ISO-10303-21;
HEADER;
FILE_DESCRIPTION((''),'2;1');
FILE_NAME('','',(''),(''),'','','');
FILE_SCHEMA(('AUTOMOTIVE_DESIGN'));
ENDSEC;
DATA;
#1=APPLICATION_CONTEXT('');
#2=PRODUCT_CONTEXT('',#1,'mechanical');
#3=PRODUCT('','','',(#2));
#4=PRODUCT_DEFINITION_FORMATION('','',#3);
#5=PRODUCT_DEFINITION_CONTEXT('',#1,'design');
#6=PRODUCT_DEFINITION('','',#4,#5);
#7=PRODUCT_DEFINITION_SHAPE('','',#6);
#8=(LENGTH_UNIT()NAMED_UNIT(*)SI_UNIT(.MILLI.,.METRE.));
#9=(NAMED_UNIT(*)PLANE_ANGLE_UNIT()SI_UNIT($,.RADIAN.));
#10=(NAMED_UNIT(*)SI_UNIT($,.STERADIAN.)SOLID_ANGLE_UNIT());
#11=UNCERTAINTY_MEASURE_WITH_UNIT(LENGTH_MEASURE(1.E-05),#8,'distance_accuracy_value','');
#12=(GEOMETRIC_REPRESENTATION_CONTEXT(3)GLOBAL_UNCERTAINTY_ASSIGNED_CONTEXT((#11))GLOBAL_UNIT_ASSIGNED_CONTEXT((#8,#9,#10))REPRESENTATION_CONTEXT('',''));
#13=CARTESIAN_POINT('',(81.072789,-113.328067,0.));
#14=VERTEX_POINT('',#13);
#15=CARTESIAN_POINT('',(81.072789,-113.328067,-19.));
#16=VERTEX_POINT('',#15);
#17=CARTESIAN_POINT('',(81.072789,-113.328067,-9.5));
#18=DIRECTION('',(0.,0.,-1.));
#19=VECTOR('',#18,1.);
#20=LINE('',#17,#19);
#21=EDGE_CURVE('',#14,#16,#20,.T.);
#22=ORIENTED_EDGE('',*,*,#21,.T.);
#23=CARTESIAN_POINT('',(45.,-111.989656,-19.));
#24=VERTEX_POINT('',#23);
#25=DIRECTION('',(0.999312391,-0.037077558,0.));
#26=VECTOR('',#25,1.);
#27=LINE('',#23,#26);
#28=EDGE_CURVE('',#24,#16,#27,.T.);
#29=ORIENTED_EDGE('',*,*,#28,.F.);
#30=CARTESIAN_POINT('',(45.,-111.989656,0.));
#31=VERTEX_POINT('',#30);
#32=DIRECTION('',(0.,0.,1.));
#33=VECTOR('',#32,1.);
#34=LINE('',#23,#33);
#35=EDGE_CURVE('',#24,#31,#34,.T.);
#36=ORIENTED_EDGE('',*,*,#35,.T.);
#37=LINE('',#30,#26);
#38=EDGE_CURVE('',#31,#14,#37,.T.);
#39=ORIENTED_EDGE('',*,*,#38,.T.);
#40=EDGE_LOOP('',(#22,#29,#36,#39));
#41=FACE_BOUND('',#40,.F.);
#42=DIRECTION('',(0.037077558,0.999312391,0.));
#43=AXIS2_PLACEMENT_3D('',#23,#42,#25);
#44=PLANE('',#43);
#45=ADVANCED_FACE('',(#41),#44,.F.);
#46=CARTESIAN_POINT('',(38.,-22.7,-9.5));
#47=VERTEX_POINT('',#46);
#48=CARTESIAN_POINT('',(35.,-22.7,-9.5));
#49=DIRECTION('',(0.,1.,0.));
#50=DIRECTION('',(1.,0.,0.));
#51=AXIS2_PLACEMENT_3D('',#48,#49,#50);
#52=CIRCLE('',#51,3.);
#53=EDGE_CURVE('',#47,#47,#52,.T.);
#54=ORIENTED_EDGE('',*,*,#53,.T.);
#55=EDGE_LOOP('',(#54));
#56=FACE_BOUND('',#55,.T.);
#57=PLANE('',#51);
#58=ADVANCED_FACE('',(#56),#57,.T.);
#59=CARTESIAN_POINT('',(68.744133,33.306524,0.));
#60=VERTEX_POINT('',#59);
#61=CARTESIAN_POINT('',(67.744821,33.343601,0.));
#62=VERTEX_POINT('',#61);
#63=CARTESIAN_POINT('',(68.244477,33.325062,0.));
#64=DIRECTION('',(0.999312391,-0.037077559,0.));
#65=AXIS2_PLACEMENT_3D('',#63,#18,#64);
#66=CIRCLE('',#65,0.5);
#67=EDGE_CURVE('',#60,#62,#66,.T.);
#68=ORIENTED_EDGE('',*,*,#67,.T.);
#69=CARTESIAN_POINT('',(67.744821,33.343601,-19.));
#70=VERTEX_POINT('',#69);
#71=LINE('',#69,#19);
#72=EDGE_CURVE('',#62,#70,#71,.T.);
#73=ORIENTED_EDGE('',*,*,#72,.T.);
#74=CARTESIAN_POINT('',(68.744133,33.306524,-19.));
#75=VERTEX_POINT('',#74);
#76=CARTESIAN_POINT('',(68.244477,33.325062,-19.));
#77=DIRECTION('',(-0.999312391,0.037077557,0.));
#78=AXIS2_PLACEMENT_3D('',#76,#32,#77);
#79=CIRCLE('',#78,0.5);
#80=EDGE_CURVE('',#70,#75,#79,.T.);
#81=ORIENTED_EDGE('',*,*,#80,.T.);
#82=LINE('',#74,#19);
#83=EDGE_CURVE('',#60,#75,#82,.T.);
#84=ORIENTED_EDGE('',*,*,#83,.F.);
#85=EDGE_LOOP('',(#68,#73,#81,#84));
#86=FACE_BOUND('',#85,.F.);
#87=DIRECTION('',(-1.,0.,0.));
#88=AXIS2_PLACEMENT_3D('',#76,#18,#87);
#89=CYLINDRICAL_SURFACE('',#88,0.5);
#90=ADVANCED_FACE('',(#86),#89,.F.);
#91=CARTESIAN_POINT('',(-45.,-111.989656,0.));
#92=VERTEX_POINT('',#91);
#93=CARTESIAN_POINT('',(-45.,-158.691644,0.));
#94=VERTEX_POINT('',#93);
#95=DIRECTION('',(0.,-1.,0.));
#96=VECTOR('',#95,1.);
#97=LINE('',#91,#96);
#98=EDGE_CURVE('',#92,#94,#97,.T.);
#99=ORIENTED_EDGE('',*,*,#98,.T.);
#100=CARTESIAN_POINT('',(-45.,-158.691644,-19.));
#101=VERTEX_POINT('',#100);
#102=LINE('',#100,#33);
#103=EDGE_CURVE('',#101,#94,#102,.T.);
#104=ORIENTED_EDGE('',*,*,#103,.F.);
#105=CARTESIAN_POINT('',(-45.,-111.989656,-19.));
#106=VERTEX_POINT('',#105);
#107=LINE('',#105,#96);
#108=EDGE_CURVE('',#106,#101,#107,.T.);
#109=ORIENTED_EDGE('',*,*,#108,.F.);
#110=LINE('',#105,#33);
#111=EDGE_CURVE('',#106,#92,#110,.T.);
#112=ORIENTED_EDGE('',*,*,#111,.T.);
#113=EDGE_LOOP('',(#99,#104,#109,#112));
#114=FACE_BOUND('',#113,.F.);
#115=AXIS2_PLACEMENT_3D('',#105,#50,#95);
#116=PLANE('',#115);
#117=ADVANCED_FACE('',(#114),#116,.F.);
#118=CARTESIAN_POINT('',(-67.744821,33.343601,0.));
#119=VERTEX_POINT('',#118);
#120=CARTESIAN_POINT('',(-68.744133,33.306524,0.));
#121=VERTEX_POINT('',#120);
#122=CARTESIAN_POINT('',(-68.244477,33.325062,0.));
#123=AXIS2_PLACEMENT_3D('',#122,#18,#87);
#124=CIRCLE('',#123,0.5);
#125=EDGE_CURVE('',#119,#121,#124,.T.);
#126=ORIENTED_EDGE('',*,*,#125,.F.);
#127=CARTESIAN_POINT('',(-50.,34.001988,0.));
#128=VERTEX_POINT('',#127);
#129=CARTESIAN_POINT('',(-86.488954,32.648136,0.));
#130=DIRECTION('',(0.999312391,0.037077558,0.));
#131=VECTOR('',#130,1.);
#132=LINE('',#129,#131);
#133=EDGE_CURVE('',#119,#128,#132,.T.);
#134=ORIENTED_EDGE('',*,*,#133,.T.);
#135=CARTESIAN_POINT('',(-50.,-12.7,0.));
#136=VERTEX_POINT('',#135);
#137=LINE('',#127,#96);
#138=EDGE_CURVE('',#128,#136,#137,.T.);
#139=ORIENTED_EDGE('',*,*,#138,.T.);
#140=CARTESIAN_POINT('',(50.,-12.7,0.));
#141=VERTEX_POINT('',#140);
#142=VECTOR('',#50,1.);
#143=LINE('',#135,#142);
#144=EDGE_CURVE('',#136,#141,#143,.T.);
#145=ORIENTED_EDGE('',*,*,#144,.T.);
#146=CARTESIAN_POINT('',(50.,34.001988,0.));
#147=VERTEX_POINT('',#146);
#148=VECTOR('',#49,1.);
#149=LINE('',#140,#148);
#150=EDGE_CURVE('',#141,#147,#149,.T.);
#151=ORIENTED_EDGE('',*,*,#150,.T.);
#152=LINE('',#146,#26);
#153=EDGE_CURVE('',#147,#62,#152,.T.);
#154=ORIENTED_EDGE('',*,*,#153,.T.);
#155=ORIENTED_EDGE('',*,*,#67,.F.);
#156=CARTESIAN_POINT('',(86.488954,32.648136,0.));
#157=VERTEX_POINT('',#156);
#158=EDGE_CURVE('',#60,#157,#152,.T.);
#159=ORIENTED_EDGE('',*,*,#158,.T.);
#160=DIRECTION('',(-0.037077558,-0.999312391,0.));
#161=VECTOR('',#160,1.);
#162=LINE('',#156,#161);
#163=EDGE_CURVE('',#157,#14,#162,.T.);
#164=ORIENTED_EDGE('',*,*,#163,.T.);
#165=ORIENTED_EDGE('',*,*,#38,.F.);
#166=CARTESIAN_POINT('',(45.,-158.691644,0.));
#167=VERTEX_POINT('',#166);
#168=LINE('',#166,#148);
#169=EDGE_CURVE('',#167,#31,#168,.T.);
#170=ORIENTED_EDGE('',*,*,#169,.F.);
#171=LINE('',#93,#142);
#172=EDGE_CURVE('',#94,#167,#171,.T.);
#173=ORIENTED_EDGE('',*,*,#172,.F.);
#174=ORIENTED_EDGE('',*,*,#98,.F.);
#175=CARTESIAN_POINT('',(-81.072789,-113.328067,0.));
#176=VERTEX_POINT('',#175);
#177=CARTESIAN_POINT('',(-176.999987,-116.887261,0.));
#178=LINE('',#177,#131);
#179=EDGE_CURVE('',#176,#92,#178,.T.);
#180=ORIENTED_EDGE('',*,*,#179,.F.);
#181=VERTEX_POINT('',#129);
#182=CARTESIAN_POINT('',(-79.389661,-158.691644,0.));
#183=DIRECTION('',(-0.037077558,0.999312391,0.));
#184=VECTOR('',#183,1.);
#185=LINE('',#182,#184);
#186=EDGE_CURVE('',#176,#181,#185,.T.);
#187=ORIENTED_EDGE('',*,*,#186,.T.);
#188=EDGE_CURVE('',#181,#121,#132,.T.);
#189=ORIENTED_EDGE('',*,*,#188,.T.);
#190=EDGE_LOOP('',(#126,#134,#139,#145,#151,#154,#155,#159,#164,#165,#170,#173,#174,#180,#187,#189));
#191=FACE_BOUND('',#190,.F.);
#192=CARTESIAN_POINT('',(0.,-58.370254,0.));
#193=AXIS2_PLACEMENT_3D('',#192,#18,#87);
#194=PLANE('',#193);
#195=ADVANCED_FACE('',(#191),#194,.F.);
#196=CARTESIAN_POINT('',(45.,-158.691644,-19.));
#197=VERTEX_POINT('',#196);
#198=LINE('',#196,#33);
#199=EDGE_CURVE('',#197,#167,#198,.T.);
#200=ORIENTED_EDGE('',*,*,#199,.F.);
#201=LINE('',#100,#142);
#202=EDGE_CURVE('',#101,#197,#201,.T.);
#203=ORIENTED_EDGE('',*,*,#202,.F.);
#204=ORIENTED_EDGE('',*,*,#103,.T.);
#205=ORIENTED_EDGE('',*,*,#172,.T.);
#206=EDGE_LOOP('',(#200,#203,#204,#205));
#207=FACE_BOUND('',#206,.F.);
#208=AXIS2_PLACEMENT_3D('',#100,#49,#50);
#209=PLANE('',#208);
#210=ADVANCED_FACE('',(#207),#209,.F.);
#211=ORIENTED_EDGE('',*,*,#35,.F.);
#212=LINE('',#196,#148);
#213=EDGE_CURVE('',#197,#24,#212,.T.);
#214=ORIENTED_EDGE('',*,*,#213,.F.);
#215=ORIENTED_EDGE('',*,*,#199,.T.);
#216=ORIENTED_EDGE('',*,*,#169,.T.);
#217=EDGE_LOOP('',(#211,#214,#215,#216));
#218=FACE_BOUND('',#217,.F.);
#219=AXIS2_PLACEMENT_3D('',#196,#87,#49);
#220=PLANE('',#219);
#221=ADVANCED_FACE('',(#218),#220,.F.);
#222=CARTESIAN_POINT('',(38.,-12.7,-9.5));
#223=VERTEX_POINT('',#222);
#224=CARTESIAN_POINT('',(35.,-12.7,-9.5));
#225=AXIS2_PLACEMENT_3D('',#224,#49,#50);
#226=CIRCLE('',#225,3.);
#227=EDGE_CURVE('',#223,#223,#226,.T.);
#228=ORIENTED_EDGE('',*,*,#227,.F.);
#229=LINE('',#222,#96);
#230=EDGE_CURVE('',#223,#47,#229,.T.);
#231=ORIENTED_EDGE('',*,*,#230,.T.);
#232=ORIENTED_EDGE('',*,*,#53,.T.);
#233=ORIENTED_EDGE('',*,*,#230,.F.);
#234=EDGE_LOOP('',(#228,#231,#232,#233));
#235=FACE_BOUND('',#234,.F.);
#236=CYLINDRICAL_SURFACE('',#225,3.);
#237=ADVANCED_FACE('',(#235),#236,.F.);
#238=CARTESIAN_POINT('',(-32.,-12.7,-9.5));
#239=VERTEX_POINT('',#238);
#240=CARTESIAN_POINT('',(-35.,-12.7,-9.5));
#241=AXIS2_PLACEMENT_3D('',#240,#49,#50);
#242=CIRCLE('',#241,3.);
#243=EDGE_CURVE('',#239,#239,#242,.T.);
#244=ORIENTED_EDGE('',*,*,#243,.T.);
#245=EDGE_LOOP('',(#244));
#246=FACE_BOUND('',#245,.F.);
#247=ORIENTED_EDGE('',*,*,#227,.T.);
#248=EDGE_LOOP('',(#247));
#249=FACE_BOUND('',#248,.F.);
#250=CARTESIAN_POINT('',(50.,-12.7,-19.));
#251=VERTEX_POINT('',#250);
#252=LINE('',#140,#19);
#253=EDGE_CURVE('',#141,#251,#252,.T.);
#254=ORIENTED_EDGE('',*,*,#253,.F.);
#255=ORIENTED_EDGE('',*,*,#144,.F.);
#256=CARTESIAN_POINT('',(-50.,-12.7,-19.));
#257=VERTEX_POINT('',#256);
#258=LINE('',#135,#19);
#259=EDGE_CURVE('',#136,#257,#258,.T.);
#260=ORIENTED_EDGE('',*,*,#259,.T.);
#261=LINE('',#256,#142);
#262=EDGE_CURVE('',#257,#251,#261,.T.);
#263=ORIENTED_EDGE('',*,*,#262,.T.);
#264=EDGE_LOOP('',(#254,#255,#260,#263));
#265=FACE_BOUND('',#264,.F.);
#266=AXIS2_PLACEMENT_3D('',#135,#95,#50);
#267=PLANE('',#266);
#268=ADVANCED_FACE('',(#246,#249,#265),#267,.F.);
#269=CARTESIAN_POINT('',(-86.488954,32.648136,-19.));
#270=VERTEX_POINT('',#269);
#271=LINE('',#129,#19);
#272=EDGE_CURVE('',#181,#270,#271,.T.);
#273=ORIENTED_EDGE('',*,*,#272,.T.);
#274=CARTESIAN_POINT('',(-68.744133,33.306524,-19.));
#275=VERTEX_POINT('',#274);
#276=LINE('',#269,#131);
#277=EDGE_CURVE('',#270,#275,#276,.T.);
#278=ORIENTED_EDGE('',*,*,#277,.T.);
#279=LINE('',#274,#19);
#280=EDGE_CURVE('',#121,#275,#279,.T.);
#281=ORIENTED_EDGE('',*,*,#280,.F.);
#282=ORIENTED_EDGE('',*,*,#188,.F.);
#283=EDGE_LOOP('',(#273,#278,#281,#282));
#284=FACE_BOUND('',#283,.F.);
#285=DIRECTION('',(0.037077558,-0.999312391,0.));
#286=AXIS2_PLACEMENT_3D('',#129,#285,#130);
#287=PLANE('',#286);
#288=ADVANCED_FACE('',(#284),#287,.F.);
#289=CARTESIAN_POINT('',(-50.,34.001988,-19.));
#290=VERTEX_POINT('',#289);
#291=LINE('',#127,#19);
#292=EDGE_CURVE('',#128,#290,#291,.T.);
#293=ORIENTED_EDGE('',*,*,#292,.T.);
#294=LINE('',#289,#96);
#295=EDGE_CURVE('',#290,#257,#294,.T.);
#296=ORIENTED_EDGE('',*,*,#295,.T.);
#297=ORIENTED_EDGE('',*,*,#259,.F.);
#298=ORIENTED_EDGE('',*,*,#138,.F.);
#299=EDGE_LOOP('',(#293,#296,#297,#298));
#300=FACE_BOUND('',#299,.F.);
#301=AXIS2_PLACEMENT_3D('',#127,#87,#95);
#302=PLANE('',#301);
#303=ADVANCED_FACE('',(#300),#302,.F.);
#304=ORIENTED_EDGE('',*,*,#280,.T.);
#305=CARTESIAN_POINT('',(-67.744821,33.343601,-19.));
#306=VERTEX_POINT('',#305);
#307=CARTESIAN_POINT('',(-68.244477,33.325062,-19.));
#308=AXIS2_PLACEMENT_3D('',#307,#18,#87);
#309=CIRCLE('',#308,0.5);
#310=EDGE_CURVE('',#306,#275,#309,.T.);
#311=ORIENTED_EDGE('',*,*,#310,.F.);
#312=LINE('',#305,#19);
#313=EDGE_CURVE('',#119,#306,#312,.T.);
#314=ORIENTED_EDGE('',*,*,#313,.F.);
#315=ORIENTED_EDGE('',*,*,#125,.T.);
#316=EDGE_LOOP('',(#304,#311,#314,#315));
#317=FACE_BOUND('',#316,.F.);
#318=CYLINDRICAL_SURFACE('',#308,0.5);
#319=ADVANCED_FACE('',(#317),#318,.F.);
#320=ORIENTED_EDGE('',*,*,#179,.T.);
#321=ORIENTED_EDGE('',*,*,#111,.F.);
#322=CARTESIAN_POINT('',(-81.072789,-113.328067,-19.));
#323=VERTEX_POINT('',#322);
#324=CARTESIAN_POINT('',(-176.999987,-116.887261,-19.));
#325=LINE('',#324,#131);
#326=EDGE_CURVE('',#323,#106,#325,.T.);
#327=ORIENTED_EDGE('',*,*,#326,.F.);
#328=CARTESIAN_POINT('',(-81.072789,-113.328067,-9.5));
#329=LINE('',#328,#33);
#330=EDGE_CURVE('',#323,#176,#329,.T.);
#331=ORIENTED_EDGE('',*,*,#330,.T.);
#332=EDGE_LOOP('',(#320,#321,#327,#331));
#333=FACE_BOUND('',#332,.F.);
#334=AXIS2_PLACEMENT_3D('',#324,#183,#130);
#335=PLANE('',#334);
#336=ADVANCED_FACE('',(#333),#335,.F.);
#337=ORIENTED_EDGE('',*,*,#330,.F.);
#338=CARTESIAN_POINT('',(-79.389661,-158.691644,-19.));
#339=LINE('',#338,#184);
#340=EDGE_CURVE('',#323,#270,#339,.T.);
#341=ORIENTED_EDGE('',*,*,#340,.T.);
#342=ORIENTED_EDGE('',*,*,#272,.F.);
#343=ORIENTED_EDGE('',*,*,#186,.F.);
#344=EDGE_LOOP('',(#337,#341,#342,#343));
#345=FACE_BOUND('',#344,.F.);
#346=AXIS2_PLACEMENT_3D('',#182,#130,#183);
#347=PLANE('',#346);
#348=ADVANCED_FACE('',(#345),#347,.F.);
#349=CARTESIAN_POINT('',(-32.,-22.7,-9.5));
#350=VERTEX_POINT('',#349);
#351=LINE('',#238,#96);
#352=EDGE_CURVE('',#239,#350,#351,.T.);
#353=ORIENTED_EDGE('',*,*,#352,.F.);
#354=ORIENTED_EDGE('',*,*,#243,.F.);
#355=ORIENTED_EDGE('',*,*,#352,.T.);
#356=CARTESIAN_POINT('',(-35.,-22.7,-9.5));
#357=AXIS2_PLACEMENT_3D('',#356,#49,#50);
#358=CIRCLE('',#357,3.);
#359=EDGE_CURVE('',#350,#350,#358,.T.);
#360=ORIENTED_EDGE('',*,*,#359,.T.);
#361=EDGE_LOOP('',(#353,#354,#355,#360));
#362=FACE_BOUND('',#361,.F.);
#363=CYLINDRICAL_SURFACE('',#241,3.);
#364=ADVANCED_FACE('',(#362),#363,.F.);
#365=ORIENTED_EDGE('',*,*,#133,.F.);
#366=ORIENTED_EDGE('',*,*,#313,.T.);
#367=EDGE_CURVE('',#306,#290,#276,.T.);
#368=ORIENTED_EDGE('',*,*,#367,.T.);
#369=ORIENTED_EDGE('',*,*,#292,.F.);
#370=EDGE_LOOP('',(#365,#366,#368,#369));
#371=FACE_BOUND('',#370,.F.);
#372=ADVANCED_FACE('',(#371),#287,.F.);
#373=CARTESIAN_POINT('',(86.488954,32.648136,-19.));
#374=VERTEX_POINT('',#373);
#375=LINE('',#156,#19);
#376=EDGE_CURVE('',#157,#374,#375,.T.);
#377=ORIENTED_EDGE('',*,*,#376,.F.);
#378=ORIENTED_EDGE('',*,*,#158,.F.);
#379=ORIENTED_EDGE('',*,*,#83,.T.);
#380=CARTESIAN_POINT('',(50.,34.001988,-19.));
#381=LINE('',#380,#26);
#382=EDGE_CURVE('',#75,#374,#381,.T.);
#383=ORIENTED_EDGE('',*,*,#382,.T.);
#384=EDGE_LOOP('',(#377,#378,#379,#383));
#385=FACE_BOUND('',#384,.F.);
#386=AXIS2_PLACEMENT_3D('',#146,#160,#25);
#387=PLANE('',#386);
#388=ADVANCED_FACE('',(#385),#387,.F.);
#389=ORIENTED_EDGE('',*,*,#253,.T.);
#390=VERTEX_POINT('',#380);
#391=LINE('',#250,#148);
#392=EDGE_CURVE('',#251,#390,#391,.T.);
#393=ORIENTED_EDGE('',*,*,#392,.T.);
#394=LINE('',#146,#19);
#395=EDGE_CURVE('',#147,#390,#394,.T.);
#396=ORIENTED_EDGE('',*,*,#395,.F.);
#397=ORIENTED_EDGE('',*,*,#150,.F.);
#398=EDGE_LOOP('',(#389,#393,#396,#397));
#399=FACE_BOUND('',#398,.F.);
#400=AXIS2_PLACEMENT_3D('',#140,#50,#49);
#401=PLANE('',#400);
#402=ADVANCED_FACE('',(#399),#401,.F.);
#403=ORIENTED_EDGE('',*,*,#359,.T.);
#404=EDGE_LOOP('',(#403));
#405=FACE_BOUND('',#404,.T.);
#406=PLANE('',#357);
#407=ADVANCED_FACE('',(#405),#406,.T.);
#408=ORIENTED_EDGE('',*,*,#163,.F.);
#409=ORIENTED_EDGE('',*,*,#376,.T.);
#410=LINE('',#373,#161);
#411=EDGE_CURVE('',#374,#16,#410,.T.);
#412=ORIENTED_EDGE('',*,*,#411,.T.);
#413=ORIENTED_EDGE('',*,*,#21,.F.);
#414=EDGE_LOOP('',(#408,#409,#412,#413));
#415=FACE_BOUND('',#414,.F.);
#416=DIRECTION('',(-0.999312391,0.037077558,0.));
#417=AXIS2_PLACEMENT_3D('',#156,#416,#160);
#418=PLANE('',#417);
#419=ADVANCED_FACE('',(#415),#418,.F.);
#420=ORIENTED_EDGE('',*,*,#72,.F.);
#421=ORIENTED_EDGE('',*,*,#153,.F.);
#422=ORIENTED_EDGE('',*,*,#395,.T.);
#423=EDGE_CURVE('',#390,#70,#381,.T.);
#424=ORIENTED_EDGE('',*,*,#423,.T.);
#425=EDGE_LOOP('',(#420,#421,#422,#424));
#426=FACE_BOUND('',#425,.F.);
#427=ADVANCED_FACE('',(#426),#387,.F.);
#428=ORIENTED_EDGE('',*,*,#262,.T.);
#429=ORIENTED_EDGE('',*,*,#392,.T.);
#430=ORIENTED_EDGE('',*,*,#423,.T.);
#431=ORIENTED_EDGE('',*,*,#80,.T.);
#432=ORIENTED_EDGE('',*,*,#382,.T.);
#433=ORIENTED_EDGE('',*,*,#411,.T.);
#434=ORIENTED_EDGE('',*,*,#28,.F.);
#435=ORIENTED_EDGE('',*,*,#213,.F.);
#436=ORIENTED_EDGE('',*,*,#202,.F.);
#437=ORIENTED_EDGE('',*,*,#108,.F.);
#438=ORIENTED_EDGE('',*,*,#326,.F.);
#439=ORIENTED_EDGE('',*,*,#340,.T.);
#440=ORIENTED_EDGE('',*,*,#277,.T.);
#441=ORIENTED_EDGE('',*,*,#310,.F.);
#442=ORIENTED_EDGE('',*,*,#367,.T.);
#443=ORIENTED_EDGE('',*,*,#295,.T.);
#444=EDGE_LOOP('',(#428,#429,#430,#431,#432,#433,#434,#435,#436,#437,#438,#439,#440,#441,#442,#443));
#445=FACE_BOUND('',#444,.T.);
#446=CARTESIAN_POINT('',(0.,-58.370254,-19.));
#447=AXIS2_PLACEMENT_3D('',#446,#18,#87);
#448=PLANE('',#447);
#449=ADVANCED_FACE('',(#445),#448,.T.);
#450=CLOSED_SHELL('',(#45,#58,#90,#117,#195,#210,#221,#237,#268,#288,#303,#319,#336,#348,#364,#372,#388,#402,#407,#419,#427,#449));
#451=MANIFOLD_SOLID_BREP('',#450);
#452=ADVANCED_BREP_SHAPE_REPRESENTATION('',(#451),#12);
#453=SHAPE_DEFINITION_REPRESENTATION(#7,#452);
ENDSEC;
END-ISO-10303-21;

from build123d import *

# Parameters (mm, degrees)
BOSS_EXTRUDE1_DEPTH = 19
CUT_EXTRUDE1_DEPTH  = 19
SKETCH6_R           = 3
CUT_EXTRUDE2_DEPTH  = 10
SKETCH7_R           = 0.5
CUT_EXTRUDE3_DEPTH  = 20


with BuildPart() as part:
    # Sketch2 → Boss-Extrude1 (new body)
    with BuildSketch(Plane.XY):
        Polygon((-50, -12.7), (50, -12.7), (50, 34.001988406), (86.488954477, 32.648136171), (79.389661188, -158.69164437), (-79.389661188, -158.69164437), (-86.488954477, 32.648136171), (-50, 34.001988406), align=None)
    extrude(amount=-BOSS_EXTRUDE1_DEPTH)

    # Sketch4 → Cut-Extrude1 (cut)
    with BuildSketch(Plane(origin=(0, 0, -19), x_dir=(-1, 0, 0), z_dir=(0, 0, -1))):
        Polygon((176.999986596, -116.887260719), (45, -111.989655964), (45, -158.69164437), (-45, -158.69164437), (-45, -111.989655964), (-160.814787096, -116.286740127), (-160.814787096, -226.328943165), (176.999986596, -226.328943165), align=None)
    extrude(amount=-CUT_EXTRUDE1_DEPTH, mode=Mode.SUBTRACT)

    # Sketch6 → Cut-Extrude2 (cut)
    with BuildSketch(Plane(origin=(0, -12.7, 0), x_dir=(1, 0, 0), z_dir=(0, 1, 0))):
        with Locations((35, 9.5)):
            Circle(SKETCH6_R)
        with Locations((-35, 9.5)):
            Circle(SKETCH6_R)
    extrude(amount=-CUT_EXTRUDE2_DEPTH, mode=Mode.SUBTRACT)

    # Sketch7 → Cut-Extrude3 (cut)
    with BuildSketch(Plane(origin=(0, 0, -19), x_dir=(-1, 0, 0), z_dir=(0, 0, -1))):
        with Locations((68.244477239, 33.325062289)):
            Circle(SKETCH7_R)
        with Locations((-68.244477239, 33.325062289)):
            Circle(SKETCH7_R)
    extrude(amount=-CUT_EXTRUDE3_DEPTH, mode=Mode.SUBTRACT)


solid = part.part
